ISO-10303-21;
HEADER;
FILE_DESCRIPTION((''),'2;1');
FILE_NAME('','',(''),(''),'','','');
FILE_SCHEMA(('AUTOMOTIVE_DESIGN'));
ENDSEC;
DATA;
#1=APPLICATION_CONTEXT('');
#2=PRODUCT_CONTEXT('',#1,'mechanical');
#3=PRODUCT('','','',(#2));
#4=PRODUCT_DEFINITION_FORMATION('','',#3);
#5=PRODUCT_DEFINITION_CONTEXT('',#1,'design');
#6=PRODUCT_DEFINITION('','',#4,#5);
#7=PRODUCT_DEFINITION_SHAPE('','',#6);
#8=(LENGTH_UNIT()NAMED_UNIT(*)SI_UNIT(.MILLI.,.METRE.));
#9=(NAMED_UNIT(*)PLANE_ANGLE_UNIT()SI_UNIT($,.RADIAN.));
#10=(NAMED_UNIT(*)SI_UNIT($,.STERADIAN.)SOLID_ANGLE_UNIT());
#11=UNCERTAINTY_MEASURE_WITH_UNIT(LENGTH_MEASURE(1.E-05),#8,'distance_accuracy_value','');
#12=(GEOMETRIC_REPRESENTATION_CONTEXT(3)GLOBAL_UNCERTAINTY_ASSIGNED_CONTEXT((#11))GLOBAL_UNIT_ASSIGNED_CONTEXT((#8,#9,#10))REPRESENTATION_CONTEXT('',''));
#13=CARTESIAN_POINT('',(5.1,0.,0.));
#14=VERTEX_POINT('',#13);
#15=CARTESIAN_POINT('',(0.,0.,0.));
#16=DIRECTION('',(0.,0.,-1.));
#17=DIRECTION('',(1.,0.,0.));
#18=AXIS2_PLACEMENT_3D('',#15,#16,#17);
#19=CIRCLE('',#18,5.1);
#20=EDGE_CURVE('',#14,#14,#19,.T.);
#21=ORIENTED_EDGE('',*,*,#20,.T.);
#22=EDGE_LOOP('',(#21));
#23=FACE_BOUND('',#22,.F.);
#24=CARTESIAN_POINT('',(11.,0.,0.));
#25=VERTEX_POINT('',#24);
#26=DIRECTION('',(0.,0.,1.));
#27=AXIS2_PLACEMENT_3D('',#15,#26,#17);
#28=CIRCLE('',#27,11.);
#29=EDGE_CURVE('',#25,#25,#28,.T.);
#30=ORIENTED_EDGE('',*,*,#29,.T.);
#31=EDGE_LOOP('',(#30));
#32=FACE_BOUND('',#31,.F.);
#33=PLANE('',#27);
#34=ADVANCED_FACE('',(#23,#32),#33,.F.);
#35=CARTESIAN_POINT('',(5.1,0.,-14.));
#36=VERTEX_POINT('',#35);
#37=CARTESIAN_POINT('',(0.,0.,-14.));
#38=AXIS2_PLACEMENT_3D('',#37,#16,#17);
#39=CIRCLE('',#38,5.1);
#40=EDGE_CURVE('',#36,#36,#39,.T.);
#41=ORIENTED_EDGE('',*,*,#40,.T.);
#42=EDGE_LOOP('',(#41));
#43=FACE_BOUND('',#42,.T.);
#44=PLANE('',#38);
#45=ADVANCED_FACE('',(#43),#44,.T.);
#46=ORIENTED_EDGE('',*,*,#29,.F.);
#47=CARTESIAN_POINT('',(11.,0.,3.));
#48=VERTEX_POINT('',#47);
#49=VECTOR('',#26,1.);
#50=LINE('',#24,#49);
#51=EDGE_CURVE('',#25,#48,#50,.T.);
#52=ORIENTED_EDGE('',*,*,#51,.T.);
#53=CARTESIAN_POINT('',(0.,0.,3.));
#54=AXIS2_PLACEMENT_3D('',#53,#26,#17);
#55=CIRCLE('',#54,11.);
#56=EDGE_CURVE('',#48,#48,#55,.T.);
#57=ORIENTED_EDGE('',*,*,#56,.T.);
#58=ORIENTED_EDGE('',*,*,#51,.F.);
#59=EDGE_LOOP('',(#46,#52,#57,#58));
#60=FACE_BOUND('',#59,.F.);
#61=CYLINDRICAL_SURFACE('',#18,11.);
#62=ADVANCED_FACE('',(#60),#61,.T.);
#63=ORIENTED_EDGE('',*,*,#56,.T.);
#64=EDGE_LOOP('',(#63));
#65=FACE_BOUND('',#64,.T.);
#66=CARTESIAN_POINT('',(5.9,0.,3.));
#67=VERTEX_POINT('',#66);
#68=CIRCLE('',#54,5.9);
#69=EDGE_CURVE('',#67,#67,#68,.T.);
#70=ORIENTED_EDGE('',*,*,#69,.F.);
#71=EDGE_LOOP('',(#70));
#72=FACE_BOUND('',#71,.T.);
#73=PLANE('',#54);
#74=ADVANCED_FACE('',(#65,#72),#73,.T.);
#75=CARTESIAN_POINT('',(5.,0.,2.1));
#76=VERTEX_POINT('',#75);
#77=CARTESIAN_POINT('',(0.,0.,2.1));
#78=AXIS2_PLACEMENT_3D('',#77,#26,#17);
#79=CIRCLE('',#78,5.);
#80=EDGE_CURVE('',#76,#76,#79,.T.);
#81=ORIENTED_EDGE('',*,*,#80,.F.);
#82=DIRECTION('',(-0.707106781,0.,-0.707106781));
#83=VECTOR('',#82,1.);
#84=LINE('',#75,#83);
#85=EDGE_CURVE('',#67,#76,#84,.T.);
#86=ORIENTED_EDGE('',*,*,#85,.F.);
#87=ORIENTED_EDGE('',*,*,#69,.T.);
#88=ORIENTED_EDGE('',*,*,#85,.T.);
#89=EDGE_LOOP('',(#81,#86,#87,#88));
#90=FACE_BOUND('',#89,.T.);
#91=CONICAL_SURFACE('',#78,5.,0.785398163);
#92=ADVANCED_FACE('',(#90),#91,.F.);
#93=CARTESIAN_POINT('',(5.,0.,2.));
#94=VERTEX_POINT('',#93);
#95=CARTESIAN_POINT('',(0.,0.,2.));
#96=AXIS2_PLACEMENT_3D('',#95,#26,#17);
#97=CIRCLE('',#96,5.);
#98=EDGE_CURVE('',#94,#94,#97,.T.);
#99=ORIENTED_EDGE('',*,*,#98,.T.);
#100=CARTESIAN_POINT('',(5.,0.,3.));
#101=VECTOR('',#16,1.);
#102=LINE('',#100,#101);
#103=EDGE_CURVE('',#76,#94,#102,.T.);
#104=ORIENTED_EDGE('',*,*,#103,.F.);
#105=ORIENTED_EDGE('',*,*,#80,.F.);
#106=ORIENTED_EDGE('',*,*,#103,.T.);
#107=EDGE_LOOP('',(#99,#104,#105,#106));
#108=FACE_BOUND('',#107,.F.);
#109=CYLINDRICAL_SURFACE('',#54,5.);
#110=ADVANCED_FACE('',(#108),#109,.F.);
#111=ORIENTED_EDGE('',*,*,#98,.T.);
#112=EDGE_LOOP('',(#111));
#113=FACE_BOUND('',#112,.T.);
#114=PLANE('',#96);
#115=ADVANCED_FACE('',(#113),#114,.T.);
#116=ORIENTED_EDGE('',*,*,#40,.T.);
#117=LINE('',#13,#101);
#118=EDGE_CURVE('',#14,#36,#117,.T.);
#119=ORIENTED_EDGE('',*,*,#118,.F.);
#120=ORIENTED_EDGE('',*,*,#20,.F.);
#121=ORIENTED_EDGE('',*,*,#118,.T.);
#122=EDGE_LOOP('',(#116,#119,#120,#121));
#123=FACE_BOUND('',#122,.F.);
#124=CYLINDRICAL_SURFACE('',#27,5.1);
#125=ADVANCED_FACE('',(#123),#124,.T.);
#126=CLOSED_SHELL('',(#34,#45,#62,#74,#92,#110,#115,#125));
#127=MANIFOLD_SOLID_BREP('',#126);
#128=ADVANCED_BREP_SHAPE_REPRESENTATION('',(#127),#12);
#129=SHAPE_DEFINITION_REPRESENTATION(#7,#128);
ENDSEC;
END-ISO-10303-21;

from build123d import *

# Parameters (mm, degrees)
SKETCH_R     = 11
PAD_DEPTH    = 3
SKETCH001_R  = 5
POCKET_DEPTH = 1
SKETCH002_R  = 5.1
PAD001_DEPTH = 14
CHAMFER_SIZE = 0.9


with BuildPart() as part:
    # Sketch → Pad (new body)
    with BuildSketch(Plane.XY):
        Circle(SKETCH_R)
    extrude(amount=PAD_DEPTH)

    # Sketch001 (on Face3 of Pad) → Pocket (cut)
    with BuildSketch(Plane.XY.offset(3)):
        Circle(SKETCH001_R)
    extrude(amount=-POCKET_DEPTH, mode=Mode.SUBTRACT)

    # Sketch002 (on Face2 of Pocket) → Pad001 (join)
    with BuildSketch(Plane(origin=(0, 0, 0), x_dir=(1, 0, 0), z_dir=(0, 0, -1))):
        Circle(SKETCH002_R)
    extrude(amount=PAD001_DEPTH)

    # Chamfer
    chamfer_edges = [part.edges().sort_by_distance(p)[0] for p in [
        (-5, 0, 3),
    ]]
    chamfer(chamfer_edges, length=CHAMFER_SIZE)


solid = part.part
